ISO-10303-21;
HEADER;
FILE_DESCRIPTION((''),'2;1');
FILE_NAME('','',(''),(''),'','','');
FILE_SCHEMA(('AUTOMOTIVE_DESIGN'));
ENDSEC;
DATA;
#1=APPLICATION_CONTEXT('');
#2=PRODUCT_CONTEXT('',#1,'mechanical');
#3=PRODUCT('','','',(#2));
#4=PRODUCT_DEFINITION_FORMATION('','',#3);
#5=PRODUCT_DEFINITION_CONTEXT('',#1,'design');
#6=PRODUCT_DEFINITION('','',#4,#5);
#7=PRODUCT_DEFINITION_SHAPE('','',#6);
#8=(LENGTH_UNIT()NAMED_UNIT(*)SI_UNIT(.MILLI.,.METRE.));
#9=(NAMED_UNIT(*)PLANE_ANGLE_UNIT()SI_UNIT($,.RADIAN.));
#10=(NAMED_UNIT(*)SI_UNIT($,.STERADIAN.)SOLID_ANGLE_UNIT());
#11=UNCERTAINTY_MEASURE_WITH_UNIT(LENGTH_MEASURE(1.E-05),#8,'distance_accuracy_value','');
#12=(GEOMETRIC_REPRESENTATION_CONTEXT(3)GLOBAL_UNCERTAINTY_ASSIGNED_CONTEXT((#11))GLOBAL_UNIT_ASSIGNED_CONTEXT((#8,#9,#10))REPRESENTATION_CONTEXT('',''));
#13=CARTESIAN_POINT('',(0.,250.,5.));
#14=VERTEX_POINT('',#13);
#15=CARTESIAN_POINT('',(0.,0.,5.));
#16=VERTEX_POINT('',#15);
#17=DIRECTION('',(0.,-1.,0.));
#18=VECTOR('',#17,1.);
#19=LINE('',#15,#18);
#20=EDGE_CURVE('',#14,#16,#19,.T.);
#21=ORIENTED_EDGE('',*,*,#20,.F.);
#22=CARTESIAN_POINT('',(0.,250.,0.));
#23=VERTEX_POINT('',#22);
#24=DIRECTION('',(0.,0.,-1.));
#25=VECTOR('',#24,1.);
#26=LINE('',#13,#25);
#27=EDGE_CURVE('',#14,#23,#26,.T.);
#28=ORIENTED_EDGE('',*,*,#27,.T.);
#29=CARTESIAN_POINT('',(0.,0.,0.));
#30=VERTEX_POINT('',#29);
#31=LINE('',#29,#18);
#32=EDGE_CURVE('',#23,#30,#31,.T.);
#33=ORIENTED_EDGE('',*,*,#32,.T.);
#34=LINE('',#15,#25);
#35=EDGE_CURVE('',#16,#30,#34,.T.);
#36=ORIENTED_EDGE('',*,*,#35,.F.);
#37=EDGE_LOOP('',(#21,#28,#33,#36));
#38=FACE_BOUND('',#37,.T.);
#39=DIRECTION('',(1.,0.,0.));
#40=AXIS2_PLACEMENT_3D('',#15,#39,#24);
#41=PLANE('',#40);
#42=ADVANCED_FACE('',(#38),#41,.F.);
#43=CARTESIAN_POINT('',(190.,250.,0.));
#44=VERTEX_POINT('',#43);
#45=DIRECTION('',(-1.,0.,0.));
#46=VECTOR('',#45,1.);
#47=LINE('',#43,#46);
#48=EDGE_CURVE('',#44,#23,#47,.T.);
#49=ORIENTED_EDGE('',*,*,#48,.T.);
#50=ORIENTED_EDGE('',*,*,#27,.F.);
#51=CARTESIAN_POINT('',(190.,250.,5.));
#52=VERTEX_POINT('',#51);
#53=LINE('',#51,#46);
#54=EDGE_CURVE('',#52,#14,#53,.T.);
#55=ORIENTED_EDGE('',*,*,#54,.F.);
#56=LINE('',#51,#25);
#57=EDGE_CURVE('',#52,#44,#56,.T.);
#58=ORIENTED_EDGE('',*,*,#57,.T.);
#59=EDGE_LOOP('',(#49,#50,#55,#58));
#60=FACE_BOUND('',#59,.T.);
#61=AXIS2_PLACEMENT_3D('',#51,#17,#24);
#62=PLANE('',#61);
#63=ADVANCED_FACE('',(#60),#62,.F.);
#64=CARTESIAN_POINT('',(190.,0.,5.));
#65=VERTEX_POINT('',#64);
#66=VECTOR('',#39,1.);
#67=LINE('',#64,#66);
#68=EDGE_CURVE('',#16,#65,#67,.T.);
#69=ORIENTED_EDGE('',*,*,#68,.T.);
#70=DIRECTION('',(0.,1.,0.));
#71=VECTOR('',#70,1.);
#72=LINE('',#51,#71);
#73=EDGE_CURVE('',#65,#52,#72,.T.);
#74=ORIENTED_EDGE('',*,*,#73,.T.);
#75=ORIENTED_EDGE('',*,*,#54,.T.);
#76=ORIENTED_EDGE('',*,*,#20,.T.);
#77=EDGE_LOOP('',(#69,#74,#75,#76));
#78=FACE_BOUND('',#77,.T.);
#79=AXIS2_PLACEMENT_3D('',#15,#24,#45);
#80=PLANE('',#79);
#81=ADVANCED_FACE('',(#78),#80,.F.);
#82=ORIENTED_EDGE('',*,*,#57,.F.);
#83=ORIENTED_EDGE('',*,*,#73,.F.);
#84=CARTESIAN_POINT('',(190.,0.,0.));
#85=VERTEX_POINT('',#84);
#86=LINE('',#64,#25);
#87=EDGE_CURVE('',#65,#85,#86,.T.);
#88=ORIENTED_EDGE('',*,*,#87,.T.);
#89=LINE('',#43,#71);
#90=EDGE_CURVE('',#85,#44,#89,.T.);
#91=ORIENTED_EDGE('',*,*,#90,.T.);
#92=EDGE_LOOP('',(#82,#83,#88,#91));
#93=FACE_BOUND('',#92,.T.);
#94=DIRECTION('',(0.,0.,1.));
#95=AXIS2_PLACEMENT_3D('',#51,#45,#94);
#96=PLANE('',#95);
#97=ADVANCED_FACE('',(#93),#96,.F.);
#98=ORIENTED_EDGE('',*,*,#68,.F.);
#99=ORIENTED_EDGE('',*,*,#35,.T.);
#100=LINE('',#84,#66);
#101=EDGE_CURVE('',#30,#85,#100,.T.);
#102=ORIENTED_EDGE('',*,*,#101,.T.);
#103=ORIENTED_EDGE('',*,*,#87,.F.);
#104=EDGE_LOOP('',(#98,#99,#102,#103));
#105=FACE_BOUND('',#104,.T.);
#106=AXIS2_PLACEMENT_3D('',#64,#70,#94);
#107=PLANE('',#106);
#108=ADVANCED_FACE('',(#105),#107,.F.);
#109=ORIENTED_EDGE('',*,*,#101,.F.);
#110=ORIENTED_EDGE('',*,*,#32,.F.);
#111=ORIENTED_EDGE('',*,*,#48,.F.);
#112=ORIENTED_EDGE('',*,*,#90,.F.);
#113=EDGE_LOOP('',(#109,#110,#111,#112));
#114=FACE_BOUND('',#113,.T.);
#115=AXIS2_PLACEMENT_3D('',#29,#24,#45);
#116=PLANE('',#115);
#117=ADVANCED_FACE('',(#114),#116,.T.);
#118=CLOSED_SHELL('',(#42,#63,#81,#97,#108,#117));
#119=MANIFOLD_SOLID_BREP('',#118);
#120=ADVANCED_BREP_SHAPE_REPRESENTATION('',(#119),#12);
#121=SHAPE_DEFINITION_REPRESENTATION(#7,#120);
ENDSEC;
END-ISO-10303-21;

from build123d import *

# Parameters (mm, degrees)
ESQUISSE1_W        = 190
ESQUISSE1_H        = 250
BOSS_EXTRU_2_DEPTH = 5


with BuildPart() as part:
    # Esquisse1 → Boss.-Extru.2 (new body)
    with BuildSketch(Plane.XY):
        with Locations((95, 125)):
            Rectangle(ESQUISSE1_W, ESQUISSE1_H)
    extrude(amount=BOSS_EXTRU_2_DEPTH)


solid = part.part
